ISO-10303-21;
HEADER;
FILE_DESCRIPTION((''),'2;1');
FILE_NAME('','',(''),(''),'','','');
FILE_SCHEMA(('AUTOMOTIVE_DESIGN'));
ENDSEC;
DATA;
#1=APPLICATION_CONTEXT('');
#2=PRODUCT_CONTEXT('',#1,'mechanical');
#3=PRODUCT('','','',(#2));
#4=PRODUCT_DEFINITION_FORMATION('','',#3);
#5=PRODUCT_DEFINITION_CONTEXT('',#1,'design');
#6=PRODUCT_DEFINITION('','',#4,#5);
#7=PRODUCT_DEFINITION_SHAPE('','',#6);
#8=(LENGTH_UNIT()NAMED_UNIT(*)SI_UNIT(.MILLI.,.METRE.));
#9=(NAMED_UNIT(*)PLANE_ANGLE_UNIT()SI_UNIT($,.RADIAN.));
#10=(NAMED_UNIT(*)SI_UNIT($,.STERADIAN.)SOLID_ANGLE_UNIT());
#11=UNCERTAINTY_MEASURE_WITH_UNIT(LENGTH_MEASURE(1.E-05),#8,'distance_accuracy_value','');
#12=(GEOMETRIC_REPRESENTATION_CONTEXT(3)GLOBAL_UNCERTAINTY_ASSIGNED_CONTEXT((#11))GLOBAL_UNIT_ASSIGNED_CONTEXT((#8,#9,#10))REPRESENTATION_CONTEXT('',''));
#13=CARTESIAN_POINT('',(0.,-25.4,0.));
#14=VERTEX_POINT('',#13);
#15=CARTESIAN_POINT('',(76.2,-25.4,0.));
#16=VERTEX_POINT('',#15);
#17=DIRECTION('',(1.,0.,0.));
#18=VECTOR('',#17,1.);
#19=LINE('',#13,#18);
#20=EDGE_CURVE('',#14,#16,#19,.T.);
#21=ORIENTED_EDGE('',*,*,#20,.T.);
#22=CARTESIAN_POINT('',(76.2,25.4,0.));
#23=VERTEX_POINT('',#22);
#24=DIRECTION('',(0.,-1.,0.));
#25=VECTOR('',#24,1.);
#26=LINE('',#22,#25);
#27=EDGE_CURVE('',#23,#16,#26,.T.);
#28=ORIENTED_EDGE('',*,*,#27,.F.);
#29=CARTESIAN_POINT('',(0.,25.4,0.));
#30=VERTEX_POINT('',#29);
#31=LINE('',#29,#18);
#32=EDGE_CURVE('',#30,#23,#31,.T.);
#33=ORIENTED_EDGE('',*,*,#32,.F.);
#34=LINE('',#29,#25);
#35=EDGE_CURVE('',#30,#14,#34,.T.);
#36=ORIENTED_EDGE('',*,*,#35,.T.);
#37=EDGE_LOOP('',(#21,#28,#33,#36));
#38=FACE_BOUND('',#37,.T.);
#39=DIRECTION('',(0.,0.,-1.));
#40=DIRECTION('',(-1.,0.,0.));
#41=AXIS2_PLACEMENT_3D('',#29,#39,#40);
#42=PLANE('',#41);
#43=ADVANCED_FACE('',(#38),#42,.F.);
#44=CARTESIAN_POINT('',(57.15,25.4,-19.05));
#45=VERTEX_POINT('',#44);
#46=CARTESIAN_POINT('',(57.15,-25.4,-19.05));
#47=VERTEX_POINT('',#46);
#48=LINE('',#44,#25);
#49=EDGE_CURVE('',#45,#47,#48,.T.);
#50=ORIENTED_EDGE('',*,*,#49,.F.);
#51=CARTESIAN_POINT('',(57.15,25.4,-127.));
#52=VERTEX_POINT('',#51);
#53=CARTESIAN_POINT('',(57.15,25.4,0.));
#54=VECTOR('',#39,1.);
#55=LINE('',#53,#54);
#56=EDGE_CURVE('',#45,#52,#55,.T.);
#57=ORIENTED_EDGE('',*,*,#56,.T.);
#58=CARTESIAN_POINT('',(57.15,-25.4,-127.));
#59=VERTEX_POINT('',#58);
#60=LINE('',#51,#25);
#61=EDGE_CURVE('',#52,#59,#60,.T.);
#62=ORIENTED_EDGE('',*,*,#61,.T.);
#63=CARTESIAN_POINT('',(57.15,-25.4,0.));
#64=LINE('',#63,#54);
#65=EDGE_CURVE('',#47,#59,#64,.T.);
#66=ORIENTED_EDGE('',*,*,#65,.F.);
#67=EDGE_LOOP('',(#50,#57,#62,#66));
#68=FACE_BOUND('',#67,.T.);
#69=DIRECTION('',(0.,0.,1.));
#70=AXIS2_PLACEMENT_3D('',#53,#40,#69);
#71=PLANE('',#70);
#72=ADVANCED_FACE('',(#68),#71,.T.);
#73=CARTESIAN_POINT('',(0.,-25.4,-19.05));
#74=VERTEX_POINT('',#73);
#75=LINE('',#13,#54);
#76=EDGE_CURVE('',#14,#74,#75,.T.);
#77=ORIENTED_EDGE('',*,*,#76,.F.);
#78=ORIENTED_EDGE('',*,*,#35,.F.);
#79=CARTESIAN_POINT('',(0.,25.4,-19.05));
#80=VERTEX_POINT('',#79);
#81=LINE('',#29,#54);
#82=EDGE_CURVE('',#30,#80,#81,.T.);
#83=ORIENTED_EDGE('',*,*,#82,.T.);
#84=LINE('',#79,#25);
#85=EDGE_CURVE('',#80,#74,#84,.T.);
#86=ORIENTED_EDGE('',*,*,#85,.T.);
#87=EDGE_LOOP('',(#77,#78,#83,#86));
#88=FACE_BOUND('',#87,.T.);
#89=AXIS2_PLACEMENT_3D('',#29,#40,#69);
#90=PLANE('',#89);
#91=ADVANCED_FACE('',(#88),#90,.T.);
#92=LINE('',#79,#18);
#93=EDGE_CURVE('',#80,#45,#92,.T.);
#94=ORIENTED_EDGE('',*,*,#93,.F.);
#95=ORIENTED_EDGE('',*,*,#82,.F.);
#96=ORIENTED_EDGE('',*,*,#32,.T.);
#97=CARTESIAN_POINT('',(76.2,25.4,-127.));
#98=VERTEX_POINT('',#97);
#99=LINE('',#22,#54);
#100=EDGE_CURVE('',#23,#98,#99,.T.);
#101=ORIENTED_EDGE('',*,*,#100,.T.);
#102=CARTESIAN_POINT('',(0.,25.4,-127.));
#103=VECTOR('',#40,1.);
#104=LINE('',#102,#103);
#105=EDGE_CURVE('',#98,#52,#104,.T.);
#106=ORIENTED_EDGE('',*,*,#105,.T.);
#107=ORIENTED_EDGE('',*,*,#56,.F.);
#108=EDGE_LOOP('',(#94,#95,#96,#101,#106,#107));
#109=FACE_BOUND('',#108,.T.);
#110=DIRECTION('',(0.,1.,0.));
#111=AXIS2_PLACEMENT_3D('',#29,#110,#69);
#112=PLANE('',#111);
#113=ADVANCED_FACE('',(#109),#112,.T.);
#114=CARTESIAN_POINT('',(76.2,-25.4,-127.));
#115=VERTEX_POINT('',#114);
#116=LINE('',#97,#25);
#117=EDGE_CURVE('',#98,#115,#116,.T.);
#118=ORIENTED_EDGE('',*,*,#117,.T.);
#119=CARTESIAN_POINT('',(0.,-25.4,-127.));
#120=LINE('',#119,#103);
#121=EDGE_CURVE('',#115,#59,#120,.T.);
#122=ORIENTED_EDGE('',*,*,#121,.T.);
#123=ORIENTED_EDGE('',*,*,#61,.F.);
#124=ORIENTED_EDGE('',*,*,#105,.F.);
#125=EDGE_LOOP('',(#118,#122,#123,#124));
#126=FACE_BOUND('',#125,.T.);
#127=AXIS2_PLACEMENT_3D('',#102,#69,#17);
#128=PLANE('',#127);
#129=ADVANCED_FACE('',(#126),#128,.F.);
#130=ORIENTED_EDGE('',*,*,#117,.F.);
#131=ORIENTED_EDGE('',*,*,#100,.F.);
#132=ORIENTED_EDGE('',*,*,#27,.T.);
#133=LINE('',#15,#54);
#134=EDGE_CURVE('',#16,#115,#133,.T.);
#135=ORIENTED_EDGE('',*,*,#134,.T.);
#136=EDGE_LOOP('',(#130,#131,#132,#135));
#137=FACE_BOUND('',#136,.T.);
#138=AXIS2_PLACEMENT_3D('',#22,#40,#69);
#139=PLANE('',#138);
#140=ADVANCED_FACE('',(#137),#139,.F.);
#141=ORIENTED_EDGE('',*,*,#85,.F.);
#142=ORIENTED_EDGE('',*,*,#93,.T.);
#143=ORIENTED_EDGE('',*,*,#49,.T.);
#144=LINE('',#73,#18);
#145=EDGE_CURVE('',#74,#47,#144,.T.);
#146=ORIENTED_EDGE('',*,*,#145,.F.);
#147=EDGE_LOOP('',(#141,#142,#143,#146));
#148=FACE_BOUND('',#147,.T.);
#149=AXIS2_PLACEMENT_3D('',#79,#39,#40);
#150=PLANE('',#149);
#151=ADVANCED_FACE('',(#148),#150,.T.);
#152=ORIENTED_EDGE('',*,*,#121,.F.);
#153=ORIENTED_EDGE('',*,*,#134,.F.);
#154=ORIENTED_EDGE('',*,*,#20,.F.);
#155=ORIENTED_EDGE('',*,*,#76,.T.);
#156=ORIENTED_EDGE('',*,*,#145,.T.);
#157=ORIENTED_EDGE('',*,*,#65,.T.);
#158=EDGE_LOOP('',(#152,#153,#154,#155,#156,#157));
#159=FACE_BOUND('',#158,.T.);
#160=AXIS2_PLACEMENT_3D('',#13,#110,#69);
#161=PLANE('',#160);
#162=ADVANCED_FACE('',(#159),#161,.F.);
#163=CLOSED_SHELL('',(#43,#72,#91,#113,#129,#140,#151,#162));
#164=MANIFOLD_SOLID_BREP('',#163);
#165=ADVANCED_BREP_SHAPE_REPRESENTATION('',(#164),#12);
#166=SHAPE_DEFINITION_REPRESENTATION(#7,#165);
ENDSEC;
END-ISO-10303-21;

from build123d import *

# Parameters (mm, degrees)
SKETCH1_W           = 19.05
SKETCH1_H           = 107.95
SKETCH1_W_2         = 76.2
SKETCH1_H_2         = 19.05
BOSS_EXTRUDE1_DEPTH = 25.4


with BuildPart() as part:
    # Sketch1 → Boss-Extrude1 (new body, symmetric)
    with BuildSketch(Plane(origin=(0, 0, 0), x_dir=(1, 0, 0), z_dir=(0, 1, 0))):
        with Locations((66.675, 73.025)):
            Rectangle(SKETCH1_W, SKETCH1_H)
        with Locations((38.1, 9.525)):
            Rectangle(SKETCH1_W_2, SKETCH1_H_2)
    extrude(amount=BOSS_EXTRUDE1_DEPTH, both=True)


solid = part.part
